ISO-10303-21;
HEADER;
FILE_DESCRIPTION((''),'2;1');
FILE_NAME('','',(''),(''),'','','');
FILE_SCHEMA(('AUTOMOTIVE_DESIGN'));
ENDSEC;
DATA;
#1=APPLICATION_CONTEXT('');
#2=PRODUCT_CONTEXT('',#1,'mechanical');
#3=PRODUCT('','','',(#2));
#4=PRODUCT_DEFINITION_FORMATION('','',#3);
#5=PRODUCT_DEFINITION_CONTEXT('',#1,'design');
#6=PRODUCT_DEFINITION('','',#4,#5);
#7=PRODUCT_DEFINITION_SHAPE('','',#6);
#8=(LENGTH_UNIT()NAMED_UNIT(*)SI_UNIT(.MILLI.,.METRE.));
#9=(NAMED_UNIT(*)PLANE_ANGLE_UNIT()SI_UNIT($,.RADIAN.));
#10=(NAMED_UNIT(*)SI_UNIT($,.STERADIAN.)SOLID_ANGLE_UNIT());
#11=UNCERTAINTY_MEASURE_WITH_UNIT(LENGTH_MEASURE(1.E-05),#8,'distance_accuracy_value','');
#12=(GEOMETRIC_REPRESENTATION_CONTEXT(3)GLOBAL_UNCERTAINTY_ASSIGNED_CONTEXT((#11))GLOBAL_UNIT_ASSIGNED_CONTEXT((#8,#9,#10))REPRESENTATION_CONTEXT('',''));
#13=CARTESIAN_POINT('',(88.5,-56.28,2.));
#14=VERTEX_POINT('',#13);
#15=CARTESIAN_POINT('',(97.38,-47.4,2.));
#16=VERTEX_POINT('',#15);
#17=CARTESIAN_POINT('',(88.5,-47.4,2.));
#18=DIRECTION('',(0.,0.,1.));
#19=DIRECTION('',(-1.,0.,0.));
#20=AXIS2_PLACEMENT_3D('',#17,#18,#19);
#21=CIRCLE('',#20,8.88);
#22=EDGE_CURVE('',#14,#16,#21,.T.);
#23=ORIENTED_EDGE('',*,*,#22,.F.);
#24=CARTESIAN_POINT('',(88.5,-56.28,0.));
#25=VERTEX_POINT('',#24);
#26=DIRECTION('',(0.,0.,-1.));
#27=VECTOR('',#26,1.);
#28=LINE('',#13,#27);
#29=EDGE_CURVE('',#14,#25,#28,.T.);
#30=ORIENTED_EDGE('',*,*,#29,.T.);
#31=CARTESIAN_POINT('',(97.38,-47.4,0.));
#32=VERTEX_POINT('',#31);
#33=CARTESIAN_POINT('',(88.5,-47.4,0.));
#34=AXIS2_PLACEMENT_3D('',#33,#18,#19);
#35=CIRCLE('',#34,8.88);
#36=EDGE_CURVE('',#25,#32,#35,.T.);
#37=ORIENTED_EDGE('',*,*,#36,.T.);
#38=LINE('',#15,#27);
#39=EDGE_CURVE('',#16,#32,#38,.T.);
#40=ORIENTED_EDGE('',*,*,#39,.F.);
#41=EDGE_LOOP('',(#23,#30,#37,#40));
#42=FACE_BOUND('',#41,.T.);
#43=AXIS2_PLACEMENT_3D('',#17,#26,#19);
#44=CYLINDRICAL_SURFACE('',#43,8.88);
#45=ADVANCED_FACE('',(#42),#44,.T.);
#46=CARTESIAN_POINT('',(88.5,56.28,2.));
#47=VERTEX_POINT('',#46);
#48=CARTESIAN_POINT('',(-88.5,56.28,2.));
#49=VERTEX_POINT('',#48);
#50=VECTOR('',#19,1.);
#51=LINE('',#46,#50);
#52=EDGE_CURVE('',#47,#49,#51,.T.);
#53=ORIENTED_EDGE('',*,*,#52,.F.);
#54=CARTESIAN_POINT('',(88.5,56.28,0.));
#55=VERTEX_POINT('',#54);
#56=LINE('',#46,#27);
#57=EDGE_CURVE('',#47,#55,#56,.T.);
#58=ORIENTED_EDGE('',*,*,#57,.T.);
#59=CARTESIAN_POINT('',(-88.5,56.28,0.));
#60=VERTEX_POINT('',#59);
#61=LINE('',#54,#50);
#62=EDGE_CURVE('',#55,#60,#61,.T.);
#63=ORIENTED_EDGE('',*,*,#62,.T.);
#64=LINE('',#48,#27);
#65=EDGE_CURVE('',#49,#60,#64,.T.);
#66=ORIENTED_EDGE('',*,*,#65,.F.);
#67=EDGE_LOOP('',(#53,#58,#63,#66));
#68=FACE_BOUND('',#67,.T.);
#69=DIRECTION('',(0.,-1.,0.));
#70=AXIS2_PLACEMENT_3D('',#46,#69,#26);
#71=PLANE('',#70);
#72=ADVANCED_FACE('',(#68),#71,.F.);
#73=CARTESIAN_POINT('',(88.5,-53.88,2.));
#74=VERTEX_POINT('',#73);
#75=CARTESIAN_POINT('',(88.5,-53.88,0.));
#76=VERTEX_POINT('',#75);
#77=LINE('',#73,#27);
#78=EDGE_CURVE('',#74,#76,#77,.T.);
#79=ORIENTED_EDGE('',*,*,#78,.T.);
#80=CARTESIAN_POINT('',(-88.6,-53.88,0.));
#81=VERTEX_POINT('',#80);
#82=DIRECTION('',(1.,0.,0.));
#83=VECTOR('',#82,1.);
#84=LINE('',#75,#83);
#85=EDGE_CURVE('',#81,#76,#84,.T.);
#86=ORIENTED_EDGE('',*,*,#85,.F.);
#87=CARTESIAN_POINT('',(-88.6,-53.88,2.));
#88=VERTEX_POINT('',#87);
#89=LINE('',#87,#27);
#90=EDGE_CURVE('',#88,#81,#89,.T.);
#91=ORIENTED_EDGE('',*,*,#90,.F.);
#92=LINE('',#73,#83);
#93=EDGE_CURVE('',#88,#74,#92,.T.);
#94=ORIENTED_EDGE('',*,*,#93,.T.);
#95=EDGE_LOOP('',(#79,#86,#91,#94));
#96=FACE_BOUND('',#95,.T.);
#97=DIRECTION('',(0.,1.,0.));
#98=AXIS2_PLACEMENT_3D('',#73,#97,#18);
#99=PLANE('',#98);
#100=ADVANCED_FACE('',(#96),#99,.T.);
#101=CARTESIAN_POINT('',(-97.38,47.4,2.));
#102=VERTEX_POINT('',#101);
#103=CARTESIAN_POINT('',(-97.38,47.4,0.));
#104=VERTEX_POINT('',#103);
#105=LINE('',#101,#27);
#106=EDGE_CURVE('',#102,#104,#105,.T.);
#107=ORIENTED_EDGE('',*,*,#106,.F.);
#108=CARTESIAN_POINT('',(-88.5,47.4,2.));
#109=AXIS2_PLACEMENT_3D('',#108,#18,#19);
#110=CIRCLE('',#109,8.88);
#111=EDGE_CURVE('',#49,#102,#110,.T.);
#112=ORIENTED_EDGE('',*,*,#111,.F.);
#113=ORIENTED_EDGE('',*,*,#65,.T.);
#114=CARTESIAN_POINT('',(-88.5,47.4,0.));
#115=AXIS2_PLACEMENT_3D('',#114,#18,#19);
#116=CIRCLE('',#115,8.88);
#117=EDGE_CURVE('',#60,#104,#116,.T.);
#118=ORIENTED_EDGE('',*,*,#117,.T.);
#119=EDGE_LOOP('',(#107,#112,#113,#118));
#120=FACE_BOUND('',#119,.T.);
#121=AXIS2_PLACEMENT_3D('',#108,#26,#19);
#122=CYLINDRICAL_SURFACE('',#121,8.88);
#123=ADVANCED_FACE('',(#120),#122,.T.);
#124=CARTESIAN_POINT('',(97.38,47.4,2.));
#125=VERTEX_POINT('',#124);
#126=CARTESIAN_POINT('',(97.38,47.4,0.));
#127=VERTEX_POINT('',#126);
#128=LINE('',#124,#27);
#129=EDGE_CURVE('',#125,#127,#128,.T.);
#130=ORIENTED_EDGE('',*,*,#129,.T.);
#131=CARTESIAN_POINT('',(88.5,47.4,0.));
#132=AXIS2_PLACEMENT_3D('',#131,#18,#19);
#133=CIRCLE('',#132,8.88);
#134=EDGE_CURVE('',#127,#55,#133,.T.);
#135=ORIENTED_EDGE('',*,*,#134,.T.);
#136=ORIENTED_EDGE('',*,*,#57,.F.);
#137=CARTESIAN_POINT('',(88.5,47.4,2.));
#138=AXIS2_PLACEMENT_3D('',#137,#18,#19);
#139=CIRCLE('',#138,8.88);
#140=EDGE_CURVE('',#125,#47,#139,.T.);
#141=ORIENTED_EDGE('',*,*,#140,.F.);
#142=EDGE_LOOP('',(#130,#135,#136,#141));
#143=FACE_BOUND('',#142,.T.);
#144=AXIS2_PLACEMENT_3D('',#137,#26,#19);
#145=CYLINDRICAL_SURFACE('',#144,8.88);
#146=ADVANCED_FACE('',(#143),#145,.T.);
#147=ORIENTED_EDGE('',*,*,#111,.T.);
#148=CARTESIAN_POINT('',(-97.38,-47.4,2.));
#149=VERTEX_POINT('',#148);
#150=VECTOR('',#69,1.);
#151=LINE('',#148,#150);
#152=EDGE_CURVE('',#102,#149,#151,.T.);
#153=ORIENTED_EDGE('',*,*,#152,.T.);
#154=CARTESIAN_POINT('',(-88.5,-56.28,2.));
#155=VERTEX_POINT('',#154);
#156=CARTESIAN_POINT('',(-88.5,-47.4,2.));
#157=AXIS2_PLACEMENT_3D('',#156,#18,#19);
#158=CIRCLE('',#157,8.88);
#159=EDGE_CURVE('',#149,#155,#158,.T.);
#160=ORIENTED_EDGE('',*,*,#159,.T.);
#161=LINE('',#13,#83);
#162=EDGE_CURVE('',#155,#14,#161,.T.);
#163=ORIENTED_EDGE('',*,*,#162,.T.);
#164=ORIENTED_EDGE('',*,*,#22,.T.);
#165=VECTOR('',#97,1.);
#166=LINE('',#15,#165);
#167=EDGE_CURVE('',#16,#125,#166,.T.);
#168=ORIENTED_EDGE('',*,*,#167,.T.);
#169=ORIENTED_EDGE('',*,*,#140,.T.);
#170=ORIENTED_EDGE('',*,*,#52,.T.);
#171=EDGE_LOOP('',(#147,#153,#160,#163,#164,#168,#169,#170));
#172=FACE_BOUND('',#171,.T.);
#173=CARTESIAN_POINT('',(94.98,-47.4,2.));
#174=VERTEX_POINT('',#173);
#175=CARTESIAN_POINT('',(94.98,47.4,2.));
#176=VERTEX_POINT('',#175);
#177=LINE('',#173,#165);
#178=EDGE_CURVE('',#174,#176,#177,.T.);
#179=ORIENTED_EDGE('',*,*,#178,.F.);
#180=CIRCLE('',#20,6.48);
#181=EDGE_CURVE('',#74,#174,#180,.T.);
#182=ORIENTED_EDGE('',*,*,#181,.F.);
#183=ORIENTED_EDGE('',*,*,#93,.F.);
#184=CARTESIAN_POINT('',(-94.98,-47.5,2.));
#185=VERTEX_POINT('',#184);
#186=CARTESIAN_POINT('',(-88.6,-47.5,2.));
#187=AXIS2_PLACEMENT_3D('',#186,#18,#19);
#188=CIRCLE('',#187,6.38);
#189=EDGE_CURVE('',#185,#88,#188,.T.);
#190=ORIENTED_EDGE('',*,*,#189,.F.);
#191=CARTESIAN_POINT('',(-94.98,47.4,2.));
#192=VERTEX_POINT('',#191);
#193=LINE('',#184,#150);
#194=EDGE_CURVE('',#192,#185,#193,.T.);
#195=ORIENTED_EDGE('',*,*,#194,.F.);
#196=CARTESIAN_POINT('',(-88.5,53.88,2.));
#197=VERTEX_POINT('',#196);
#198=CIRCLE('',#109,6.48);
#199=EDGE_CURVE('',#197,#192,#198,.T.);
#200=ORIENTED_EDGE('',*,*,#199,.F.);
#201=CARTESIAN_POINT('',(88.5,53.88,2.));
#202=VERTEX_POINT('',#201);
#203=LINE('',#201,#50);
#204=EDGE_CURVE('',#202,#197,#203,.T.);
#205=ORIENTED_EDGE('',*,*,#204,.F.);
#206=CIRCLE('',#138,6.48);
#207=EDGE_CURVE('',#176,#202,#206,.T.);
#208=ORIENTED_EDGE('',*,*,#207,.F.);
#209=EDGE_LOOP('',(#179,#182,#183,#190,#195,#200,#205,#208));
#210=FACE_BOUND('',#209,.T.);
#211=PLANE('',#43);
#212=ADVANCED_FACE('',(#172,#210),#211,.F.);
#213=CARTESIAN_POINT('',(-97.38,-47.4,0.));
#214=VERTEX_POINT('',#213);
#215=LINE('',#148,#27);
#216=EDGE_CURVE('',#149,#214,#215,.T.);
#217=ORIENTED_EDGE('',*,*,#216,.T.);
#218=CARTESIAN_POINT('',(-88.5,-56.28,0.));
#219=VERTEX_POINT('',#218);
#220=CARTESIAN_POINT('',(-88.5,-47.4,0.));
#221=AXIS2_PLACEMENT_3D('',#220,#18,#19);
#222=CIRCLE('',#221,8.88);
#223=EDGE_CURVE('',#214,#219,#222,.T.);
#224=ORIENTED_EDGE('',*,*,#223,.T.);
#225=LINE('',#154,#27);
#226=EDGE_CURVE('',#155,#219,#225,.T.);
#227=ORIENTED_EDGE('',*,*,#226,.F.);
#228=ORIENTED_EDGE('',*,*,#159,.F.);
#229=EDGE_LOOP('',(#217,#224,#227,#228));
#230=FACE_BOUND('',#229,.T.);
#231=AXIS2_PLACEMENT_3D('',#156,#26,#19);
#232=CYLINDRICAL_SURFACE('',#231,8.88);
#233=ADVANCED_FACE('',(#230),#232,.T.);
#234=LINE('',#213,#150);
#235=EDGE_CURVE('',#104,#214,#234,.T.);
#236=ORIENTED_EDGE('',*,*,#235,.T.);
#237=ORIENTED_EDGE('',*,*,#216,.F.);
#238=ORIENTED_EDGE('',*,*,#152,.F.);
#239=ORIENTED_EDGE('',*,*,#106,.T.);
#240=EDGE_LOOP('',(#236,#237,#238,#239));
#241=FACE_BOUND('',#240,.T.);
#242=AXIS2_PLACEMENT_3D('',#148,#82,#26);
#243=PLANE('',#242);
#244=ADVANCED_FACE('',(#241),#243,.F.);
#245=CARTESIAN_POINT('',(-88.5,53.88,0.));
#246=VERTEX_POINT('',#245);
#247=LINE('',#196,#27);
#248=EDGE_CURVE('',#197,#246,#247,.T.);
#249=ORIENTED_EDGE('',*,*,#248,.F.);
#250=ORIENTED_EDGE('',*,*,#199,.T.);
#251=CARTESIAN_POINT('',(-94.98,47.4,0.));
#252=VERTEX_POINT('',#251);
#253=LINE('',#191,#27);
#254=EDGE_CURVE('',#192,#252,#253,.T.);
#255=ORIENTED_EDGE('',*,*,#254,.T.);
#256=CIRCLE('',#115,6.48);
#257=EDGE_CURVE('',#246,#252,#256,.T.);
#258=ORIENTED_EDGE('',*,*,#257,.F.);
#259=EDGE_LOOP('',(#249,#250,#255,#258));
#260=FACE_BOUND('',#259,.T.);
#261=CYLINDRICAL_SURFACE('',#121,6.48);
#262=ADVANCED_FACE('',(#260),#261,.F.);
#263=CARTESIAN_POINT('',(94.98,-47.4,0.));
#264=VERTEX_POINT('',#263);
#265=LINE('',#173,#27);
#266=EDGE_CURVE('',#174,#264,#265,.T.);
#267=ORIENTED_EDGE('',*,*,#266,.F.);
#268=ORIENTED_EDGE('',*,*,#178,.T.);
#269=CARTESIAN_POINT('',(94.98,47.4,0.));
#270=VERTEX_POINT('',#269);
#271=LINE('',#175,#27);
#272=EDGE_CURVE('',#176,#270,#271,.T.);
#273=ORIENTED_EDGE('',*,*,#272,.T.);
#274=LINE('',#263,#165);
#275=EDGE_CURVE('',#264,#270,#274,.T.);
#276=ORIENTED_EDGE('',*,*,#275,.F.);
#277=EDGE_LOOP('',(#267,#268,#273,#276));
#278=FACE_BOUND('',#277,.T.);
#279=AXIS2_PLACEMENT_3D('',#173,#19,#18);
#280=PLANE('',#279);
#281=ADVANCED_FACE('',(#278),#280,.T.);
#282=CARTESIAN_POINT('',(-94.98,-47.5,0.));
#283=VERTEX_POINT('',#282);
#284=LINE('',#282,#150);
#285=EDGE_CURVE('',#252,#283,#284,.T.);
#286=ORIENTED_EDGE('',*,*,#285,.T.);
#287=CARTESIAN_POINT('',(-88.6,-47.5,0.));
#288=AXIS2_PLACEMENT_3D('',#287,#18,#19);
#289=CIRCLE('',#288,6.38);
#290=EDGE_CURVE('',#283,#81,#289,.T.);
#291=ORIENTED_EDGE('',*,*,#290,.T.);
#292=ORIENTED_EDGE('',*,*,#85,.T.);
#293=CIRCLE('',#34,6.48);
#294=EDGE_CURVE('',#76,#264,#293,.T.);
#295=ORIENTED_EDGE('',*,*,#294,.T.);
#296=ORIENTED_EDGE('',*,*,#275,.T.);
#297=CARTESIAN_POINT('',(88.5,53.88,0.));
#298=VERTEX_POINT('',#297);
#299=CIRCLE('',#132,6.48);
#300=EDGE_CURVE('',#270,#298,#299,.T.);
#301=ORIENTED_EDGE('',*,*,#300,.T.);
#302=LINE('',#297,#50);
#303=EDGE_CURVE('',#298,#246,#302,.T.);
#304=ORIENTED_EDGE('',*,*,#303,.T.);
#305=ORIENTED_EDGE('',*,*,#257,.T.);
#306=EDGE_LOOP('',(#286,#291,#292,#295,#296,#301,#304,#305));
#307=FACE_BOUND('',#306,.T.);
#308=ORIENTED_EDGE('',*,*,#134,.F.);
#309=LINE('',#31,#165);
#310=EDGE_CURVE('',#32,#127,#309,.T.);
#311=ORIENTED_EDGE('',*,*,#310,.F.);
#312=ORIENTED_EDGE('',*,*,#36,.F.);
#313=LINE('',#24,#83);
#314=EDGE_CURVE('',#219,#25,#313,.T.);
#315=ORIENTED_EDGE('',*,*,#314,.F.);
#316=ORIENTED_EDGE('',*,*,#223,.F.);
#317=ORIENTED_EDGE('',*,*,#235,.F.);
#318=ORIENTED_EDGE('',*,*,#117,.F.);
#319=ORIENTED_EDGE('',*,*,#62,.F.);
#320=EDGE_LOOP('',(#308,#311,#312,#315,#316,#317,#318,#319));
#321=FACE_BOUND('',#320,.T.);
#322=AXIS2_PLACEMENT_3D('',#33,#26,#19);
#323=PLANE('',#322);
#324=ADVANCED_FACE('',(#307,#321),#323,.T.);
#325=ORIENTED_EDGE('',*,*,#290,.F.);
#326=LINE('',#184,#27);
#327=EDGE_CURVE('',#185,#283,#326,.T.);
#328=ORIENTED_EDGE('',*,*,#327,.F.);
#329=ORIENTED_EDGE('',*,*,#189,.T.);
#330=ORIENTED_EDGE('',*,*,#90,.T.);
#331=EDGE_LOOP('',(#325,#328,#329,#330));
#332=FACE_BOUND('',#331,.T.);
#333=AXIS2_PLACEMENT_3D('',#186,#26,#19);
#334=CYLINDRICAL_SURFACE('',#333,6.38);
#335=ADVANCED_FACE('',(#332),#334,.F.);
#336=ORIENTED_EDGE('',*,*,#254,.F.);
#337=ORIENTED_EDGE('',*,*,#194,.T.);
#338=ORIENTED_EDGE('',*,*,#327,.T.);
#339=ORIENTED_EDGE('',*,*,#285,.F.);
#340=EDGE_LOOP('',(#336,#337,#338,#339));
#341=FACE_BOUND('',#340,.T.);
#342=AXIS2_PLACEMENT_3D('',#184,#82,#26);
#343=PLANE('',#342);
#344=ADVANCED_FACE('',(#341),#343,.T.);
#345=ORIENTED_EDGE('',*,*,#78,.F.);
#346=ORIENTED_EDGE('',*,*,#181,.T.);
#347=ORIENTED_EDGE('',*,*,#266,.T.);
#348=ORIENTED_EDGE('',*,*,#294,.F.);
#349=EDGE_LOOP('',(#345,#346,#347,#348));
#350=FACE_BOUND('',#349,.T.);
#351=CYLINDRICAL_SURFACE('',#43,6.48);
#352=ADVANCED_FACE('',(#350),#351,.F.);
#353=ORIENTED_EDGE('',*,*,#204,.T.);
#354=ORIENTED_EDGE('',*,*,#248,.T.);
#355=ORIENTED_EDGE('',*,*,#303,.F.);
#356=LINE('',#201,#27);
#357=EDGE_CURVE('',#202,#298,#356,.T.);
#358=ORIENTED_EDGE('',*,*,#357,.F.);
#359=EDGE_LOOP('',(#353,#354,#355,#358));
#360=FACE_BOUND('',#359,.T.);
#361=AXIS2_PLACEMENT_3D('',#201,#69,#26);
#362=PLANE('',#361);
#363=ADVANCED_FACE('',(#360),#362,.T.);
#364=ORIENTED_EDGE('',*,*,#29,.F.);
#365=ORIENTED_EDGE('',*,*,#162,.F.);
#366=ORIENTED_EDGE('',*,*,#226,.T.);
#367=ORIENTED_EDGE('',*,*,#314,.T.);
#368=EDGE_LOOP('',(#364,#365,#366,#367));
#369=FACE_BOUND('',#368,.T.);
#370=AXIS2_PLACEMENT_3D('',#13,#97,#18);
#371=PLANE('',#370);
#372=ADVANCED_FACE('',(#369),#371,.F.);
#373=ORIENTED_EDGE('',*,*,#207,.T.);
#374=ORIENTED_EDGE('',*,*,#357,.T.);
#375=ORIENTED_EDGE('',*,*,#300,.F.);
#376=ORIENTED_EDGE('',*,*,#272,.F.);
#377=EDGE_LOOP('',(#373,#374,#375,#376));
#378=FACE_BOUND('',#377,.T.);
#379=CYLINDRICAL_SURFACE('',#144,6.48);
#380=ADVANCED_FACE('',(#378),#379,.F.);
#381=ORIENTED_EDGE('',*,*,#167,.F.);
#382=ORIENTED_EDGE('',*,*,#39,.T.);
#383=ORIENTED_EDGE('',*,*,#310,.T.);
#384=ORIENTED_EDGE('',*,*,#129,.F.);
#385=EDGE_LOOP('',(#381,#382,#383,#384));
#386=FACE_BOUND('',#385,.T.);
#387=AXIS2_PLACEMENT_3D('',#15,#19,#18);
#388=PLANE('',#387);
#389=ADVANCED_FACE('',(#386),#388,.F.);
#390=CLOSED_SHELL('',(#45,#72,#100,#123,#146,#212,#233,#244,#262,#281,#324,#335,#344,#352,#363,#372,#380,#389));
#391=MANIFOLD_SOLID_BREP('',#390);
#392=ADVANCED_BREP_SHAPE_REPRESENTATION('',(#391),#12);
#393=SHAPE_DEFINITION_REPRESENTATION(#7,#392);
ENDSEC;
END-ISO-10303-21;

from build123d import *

# Parameters (mm, degrees)
BOSS_EXTRUDE1_DEPTH = 2


with BuildPart() as part:
    # Sketch1 → Boss-Extrude1 (new body)
    with BuildSketch(Plane.XY):
        with BuildLine():
            Line((88.5, -56.28), (-88.5, -56.28))
            ThreePointArc((-88.5, -56.28), (-94.779108217, -53.679108217), (-97.38, -47.4))
            Line((-97.38, -47.4), (-97.38, 47.4))
            ThreePointArc((-97.38, 47.4), (-94.779108217, 53.679108217), (-88.5, 56.28))
            Line((-88.5, 56.28), (88.5, 56.28))
            ThreePointArc((88.5, 56.28), (94.779108217, 53.679108217), (97.38, 47.4))
            Line((97.38, 47.4), (97.38, -47.4))
            ThreePointArc((97.38, -47.4), (94.779108217, -53.679108217), (88.5, -56.28))
        make_face()
        with BuildLine():
            Line((88.5, -53.88), (-88.6, -53.88))
            ThreePointArc((-88.6, -53.88), (-93.111341264, -52.011341264), (-94.98, -47.5))
            Line((-94.98, -47.5), (-94.98, 47.4))
            ThreePointArc((-94.98, 47.4), (-93.082051942, 51.982051942), (-88.5, 53.88))
            Line((-88.5, 53.88), (88.5, 53.88))
            ThreePointArc((88.5, 53.88), (93.082051942, 51.982051942), (94.98, 47.4))
            Line((94.98, 47.4), (94.98, -47.4))
            ThreePointArc((94.98, -47.4), (93.082051942, -51.982051942), (88.5, -53.88))
        make_face(mode=Mode.SUBTRACT)
    extrude(amount=BOSS_EXTRUDE1_DEPTH)


solid = part.part
